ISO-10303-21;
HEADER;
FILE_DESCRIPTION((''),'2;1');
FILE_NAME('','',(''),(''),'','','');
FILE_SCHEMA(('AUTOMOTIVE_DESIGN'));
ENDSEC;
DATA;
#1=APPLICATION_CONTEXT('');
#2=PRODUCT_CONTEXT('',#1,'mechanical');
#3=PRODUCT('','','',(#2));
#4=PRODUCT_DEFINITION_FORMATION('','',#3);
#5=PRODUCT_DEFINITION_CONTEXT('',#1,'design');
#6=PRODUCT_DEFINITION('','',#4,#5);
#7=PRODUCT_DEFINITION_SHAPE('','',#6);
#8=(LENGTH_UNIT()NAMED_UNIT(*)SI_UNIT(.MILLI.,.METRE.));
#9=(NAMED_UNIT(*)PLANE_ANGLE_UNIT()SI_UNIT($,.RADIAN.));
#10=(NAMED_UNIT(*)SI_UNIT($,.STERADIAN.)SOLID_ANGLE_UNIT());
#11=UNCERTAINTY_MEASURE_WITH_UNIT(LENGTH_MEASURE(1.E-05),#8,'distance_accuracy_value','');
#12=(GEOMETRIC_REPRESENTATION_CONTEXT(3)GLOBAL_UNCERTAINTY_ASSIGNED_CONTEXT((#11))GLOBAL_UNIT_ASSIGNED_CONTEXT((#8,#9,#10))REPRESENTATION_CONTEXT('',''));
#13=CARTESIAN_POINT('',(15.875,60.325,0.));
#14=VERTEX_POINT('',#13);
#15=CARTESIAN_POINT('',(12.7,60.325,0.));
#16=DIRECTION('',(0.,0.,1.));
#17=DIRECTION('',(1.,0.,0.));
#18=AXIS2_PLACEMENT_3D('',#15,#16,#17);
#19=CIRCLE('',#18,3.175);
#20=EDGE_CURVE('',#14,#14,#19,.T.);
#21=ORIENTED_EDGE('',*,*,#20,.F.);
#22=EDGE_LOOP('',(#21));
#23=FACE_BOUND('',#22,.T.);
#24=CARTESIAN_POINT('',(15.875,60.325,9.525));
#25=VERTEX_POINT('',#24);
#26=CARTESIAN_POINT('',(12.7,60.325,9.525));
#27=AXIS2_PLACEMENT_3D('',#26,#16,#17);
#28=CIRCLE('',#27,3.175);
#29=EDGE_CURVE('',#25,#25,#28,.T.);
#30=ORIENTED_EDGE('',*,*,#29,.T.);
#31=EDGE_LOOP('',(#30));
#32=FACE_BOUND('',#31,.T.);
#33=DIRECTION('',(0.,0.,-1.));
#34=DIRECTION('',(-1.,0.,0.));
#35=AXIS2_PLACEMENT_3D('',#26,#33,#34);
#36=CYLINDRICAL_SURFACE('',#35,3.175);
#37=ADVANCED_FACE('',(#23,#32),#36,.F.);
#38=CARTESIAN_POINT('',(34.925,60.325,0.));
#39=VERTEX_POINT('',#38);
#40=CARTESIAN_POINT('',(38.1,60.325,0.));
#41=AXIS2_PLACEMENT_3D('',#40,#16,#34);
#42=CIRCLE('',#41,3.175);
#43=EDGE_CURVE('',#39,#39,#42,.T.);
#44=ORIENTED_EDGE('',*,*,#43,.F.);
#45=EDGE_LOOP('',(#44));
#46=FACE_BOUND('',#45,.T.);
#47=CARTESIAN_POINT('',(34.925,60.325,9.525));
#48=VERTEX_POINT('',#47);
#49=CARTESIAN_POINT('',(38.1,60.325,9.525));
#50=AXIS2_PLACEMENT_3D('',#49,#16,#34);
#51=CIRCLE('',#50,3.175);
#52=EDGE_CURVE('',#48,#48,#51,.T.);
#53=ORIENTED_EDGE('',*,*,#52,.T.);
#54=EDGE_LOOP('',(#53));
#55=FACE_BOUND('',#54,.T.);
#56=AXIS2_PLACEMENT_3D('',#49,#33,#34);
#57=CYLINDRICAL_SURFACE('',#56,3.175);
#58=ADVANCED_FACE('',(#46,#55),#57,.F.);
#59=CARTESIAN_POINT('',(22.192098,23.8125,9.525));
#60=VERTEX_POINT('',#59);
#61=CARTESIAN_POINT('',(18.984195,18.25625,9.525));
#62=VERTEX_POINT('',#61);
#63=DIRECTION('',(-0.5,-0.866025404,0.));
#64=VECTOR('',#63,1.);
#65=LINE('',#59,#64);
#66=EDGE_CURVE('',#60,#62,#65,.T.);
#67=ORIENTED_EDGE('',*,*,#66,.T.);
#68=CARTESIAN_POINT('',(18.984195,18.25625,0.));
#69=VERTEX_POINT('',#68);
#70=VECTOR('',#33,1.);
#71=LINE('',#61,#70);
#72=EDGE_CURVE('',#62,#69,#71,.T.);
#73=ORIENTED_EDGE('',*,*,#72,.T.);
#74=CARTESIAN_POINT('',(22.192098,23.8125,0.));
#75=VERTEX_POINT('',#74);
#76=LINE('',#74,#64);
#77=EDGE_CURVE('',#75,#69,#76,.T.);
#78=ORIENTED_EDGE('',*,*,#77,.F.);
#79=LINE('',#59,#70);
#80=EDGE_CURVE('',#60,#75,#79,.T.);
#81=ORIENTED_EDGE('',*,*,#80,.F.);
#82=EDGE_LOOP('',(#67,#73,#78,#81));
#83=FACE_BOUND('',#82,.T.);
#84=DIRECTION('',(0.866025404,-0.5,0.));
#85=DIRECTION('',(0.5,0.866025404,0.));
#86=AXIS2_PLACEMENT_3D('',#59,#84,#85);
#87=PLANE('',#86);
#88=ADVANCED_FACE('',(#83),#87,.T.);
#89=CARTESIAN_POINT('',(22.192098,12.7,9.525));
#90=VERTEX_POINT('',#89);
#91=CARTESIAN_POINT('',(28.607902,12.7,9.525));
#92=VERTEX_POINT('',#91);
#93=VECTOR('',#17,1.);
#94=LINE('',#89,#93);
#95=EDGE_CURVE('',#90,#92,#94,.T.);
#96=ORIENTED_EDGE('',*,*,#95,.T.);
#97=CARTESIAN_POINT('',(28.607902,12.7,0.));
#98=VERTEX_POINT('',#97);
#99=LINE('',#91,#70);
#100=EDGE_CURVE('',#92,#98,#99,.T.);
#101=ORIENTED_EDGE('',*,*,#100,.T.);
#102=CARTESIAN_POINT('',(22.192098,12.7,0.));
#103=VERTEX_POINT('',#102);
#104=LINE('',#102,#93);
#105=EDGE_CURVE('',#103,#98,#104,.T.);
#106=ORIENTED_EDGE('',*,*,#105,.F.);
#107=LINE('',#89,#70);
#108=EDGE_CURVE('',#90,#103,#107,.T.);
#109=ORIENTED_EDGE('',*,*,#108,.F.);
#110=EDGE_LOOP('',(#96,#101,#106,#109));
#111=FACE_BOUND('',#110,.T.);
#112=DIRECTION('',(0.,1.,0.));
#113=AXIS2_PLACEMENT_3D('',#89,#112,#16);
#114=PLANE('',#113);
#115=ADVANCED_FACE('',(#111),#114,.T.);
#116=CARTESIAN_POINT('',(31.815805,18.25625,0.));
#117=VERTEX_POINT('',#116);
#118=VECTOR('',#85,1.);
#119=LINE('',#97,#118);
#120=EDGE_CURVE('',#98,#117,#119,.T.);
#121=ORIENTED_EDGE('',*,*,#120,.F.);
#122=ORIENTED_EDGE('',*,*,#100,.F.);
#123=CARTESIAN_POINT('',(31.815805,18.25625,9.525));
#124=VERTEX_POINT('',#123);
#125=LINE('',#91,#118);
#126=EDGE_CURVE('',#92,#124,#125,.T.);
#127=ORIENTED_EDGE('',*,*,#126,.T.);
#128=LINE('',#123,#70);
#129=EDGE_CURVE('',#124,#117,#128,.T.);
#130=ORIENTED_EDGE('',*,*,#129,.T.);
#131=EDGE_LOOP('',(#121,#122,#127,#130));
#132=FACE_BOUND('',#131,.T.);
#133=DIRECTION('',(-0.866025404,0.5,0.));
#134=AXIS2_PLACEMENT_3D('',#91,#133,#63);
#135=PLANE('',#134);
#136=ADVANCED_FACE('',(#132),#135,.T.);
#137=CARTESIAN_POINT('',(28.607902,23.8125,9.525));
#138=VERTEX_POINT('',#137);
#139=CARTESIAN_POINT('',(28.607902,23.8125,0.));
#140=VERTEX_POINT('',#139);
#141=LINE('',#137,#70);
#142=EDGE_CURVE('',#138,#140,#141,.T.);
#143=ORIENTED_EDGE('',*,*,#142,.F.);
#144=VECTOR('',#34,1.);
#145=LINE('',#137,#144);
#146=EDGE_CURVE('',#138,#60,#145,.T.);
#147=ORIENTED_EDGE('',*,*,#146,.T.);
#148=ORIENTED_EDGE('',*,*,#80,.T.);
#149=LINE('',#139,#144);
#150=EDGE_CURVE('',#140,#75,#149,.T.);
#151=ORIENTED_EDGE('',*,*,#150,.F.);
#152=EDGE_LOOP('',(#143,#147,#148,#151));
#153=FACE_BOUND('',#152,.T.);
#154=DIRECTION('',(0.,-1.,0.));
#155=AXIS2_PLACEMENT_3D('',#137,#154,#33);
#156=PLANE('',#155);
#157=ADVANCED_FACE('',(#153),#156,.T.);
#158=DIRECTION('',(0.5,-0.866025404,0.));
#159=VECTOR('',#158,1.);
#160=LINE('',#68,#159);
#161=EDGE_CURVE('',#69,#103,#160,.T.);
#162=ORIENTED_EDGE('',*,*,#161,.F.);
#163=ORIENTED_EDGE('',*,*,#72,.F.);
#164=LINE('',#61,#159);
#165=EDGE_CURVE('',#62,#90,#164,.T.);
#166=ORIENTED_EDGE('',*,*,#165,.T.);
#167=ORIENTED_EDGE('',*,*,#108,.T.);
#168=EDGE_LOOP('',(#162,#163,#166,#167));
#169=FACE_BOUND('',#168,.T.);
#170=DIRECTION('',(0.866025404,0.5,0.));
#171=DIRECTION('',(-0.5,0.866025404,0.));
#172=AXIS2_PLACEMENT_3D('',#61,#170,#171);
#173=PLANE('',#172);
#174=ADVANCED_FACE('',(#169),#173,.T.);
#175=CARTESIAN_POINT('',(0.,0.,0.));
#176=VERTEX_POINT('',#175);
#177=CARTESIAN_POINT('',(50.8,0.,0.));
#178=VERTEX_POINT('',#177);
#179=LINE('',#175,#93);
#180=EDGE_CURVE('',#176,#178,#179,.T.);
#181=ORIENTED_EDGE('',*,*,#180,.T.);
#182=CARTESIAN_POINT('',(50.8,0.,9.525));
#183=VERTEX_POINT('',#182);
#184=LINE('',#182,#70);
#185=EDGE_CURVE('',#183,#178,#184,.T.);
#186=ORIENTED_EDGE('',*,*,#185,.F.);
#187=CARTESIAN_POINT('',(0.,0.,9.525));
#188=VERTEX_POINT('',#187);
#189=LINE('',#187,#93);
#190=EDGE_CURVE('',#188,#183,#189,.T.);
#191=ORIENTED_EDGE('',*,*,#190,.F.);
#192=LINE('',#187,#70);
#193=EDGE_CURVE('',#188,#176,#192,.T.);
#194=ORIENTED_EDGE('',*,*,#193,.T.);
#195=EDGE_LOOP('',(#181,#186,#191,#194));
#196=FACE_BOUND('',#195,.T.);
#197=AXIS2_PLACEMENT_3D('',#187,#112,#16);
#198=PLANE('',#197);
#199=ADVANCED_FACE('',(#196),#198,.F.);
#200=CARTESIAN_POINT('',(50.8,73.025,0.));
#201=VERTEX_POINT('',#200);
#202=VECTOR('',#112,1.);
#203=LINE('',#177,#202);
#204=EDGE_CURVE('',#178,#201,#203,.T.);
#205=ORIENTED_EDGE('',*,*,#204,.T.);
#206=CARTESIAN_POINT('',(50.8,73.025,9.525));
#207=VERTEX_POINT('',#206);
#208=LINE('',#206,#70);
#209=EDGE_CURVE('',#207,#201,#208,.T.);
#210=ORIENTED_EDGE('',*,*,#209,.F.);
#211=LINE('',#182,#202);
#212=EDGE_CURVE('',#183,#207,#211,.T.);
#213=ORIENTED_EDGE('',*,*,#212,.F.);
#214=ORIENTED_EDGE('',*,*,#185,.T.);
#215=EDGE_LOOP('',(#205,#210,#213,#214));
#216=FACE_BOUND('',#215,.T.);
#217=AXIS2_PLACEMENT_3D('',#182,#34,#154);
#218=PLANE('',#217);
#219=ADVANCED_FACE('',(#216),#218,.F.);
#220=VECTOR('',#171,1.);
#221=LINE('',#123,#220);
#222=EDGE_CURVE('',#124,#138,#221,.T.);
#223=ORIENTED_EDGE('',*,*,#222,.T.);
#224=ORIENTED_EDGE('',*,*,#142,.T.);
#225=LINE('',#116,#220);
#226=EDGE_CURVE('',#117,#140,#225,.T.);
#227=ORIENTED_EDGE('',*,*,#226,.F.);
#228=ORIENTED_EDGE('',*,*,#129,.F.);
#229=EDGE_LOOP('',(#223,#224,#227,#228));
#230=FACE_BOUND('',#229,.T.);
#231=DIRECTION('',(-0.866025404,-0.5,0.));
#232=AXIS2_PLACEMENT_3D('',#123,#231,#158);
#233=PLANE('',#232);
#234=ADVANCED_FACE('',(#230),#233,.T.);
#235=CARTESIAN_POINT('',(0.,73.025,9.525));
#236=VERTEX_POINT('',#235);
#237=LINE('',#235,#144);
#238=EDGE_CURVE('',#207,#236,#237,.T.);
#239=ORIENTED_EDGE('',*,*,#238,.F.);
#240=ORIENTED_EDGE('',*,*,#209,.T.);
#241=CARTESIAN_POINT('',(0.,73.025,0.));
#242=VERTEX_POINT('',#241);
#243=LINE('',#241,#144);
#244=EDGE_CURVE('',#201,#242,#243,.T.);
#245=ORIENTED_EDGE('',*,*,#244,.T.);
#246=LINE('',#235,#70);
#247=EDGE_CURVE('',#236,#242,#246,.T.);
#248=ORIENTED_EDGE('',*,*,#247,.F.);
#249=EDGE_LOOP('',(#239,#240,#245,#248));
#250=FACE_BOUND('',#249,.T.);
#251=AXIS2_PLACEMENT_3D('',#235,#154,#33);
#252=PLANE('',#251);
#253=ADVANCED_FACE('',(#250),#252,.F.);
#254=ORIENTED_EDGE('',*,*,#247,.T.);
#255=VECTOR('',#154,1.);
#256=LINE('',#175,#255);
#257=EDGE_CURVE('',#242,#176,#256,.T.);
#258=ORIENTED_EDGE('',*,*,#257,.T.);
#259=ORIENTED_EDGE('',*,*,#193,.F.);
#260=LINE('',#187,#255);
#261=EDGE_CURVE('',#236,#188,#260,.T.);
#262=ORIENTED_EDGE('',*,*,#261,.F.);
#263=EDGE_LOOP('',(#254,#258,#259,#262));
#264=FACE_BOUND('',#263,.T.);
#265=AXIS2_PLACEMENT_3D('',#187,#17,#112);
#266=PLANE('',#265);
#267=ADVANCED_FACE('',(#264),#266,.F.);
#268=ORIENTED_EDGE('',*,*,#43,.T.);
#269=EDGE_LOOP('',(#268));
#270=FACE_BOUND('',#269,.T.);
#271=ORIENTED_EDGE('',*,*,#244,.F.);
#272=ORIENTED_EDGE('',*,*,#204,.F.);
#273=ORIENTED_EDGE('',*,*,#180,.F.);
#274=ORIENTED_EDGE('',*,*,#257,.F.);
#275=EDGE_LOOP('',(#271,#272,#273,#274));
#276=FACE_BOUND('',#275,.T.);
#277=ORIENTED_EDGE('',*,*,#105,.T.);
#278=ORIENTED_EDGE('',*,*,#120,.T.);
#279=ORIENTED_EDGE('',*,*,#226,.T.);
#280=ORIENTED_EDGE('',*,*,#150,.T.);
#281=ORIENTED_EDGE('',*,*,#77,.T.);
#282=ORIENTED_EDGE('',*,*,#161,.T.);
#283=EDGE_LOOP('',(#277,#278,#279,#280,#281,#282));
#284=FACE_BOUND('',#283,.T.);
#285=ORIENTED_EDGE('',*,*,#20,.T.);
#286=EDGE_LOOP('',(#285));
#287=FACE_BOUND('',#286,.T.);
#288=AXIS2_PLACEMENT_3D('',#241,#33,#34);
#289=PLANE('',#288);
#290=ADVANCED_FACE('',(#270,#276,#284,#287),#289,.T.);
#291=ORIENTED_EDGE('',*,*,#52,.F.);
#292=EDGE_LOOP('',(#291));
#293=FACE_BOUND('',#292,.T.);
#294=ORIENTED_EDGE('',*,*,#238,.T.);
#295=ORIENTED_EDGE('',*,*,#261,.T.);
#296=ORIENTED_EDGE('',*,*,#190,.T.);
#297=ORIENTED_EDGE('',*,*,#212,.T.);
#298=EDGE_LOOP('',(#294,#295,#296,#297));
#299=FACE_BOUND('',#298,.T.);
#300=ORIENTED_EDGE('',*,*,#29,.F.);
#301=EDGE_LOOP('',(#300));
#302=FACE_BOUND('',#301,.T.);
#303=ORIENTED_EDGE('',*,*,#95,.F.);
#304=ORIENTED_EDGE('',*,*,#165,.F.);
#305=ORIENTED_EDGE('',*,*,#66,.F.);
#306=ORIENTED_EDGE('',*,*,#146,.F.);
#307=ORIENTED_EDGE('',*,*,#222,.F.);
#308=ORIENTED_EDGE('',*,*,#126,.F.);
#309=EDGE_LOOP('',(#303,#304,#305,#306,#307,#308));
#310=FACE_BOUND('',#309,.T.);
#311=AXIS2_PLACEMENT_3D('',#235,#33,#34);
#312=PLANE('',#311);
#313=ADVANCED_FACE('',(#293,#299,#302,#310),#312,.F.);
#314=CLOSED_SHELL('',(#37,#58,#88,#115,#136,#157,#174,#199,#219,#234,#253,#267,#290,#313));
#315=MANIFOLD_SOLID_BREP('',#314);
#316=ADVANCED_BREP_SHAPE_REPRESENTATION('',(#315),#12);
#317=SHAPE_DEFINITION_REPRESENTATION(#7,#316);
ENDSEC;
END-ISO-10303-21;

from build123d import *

# Parameters (mm, degrees)
SKETCH2_W      = 50.8
SKETCH2_H      = 73.025
SKETCH2_R      = 3.175
EXTRUDE1_DEPTH = 9.525


with BuildPart() as part:
    # Sketch2 → Extrude1 (new body)
    with BuildSketch(Plane.XY):
        with Locations((25.4, 36.5125)):
            Rectangle(SKETCH2_W, SKETCH2_H)
        with Locations((12.7, 60.325)):
            Circle(SKETCH2_R, mode=Mode.SUBTRACT)
        with Locations((38.1, 60.325)):
            Circle(SKETCH2_R, mode=Mode.SUBTRACT)
        Polygon((31.815804866, 18.25625), (28.607902433, 23.8125), (22.192097567, 23.8125), (18.984195134, 18.25625), (22.192097567, 12.7), (28.607902433, 12.7), align=None, mode=Mode.SUBTRACT)
    extrude(amount=EXTRUDE1_DEPTH)


solid = part.part
